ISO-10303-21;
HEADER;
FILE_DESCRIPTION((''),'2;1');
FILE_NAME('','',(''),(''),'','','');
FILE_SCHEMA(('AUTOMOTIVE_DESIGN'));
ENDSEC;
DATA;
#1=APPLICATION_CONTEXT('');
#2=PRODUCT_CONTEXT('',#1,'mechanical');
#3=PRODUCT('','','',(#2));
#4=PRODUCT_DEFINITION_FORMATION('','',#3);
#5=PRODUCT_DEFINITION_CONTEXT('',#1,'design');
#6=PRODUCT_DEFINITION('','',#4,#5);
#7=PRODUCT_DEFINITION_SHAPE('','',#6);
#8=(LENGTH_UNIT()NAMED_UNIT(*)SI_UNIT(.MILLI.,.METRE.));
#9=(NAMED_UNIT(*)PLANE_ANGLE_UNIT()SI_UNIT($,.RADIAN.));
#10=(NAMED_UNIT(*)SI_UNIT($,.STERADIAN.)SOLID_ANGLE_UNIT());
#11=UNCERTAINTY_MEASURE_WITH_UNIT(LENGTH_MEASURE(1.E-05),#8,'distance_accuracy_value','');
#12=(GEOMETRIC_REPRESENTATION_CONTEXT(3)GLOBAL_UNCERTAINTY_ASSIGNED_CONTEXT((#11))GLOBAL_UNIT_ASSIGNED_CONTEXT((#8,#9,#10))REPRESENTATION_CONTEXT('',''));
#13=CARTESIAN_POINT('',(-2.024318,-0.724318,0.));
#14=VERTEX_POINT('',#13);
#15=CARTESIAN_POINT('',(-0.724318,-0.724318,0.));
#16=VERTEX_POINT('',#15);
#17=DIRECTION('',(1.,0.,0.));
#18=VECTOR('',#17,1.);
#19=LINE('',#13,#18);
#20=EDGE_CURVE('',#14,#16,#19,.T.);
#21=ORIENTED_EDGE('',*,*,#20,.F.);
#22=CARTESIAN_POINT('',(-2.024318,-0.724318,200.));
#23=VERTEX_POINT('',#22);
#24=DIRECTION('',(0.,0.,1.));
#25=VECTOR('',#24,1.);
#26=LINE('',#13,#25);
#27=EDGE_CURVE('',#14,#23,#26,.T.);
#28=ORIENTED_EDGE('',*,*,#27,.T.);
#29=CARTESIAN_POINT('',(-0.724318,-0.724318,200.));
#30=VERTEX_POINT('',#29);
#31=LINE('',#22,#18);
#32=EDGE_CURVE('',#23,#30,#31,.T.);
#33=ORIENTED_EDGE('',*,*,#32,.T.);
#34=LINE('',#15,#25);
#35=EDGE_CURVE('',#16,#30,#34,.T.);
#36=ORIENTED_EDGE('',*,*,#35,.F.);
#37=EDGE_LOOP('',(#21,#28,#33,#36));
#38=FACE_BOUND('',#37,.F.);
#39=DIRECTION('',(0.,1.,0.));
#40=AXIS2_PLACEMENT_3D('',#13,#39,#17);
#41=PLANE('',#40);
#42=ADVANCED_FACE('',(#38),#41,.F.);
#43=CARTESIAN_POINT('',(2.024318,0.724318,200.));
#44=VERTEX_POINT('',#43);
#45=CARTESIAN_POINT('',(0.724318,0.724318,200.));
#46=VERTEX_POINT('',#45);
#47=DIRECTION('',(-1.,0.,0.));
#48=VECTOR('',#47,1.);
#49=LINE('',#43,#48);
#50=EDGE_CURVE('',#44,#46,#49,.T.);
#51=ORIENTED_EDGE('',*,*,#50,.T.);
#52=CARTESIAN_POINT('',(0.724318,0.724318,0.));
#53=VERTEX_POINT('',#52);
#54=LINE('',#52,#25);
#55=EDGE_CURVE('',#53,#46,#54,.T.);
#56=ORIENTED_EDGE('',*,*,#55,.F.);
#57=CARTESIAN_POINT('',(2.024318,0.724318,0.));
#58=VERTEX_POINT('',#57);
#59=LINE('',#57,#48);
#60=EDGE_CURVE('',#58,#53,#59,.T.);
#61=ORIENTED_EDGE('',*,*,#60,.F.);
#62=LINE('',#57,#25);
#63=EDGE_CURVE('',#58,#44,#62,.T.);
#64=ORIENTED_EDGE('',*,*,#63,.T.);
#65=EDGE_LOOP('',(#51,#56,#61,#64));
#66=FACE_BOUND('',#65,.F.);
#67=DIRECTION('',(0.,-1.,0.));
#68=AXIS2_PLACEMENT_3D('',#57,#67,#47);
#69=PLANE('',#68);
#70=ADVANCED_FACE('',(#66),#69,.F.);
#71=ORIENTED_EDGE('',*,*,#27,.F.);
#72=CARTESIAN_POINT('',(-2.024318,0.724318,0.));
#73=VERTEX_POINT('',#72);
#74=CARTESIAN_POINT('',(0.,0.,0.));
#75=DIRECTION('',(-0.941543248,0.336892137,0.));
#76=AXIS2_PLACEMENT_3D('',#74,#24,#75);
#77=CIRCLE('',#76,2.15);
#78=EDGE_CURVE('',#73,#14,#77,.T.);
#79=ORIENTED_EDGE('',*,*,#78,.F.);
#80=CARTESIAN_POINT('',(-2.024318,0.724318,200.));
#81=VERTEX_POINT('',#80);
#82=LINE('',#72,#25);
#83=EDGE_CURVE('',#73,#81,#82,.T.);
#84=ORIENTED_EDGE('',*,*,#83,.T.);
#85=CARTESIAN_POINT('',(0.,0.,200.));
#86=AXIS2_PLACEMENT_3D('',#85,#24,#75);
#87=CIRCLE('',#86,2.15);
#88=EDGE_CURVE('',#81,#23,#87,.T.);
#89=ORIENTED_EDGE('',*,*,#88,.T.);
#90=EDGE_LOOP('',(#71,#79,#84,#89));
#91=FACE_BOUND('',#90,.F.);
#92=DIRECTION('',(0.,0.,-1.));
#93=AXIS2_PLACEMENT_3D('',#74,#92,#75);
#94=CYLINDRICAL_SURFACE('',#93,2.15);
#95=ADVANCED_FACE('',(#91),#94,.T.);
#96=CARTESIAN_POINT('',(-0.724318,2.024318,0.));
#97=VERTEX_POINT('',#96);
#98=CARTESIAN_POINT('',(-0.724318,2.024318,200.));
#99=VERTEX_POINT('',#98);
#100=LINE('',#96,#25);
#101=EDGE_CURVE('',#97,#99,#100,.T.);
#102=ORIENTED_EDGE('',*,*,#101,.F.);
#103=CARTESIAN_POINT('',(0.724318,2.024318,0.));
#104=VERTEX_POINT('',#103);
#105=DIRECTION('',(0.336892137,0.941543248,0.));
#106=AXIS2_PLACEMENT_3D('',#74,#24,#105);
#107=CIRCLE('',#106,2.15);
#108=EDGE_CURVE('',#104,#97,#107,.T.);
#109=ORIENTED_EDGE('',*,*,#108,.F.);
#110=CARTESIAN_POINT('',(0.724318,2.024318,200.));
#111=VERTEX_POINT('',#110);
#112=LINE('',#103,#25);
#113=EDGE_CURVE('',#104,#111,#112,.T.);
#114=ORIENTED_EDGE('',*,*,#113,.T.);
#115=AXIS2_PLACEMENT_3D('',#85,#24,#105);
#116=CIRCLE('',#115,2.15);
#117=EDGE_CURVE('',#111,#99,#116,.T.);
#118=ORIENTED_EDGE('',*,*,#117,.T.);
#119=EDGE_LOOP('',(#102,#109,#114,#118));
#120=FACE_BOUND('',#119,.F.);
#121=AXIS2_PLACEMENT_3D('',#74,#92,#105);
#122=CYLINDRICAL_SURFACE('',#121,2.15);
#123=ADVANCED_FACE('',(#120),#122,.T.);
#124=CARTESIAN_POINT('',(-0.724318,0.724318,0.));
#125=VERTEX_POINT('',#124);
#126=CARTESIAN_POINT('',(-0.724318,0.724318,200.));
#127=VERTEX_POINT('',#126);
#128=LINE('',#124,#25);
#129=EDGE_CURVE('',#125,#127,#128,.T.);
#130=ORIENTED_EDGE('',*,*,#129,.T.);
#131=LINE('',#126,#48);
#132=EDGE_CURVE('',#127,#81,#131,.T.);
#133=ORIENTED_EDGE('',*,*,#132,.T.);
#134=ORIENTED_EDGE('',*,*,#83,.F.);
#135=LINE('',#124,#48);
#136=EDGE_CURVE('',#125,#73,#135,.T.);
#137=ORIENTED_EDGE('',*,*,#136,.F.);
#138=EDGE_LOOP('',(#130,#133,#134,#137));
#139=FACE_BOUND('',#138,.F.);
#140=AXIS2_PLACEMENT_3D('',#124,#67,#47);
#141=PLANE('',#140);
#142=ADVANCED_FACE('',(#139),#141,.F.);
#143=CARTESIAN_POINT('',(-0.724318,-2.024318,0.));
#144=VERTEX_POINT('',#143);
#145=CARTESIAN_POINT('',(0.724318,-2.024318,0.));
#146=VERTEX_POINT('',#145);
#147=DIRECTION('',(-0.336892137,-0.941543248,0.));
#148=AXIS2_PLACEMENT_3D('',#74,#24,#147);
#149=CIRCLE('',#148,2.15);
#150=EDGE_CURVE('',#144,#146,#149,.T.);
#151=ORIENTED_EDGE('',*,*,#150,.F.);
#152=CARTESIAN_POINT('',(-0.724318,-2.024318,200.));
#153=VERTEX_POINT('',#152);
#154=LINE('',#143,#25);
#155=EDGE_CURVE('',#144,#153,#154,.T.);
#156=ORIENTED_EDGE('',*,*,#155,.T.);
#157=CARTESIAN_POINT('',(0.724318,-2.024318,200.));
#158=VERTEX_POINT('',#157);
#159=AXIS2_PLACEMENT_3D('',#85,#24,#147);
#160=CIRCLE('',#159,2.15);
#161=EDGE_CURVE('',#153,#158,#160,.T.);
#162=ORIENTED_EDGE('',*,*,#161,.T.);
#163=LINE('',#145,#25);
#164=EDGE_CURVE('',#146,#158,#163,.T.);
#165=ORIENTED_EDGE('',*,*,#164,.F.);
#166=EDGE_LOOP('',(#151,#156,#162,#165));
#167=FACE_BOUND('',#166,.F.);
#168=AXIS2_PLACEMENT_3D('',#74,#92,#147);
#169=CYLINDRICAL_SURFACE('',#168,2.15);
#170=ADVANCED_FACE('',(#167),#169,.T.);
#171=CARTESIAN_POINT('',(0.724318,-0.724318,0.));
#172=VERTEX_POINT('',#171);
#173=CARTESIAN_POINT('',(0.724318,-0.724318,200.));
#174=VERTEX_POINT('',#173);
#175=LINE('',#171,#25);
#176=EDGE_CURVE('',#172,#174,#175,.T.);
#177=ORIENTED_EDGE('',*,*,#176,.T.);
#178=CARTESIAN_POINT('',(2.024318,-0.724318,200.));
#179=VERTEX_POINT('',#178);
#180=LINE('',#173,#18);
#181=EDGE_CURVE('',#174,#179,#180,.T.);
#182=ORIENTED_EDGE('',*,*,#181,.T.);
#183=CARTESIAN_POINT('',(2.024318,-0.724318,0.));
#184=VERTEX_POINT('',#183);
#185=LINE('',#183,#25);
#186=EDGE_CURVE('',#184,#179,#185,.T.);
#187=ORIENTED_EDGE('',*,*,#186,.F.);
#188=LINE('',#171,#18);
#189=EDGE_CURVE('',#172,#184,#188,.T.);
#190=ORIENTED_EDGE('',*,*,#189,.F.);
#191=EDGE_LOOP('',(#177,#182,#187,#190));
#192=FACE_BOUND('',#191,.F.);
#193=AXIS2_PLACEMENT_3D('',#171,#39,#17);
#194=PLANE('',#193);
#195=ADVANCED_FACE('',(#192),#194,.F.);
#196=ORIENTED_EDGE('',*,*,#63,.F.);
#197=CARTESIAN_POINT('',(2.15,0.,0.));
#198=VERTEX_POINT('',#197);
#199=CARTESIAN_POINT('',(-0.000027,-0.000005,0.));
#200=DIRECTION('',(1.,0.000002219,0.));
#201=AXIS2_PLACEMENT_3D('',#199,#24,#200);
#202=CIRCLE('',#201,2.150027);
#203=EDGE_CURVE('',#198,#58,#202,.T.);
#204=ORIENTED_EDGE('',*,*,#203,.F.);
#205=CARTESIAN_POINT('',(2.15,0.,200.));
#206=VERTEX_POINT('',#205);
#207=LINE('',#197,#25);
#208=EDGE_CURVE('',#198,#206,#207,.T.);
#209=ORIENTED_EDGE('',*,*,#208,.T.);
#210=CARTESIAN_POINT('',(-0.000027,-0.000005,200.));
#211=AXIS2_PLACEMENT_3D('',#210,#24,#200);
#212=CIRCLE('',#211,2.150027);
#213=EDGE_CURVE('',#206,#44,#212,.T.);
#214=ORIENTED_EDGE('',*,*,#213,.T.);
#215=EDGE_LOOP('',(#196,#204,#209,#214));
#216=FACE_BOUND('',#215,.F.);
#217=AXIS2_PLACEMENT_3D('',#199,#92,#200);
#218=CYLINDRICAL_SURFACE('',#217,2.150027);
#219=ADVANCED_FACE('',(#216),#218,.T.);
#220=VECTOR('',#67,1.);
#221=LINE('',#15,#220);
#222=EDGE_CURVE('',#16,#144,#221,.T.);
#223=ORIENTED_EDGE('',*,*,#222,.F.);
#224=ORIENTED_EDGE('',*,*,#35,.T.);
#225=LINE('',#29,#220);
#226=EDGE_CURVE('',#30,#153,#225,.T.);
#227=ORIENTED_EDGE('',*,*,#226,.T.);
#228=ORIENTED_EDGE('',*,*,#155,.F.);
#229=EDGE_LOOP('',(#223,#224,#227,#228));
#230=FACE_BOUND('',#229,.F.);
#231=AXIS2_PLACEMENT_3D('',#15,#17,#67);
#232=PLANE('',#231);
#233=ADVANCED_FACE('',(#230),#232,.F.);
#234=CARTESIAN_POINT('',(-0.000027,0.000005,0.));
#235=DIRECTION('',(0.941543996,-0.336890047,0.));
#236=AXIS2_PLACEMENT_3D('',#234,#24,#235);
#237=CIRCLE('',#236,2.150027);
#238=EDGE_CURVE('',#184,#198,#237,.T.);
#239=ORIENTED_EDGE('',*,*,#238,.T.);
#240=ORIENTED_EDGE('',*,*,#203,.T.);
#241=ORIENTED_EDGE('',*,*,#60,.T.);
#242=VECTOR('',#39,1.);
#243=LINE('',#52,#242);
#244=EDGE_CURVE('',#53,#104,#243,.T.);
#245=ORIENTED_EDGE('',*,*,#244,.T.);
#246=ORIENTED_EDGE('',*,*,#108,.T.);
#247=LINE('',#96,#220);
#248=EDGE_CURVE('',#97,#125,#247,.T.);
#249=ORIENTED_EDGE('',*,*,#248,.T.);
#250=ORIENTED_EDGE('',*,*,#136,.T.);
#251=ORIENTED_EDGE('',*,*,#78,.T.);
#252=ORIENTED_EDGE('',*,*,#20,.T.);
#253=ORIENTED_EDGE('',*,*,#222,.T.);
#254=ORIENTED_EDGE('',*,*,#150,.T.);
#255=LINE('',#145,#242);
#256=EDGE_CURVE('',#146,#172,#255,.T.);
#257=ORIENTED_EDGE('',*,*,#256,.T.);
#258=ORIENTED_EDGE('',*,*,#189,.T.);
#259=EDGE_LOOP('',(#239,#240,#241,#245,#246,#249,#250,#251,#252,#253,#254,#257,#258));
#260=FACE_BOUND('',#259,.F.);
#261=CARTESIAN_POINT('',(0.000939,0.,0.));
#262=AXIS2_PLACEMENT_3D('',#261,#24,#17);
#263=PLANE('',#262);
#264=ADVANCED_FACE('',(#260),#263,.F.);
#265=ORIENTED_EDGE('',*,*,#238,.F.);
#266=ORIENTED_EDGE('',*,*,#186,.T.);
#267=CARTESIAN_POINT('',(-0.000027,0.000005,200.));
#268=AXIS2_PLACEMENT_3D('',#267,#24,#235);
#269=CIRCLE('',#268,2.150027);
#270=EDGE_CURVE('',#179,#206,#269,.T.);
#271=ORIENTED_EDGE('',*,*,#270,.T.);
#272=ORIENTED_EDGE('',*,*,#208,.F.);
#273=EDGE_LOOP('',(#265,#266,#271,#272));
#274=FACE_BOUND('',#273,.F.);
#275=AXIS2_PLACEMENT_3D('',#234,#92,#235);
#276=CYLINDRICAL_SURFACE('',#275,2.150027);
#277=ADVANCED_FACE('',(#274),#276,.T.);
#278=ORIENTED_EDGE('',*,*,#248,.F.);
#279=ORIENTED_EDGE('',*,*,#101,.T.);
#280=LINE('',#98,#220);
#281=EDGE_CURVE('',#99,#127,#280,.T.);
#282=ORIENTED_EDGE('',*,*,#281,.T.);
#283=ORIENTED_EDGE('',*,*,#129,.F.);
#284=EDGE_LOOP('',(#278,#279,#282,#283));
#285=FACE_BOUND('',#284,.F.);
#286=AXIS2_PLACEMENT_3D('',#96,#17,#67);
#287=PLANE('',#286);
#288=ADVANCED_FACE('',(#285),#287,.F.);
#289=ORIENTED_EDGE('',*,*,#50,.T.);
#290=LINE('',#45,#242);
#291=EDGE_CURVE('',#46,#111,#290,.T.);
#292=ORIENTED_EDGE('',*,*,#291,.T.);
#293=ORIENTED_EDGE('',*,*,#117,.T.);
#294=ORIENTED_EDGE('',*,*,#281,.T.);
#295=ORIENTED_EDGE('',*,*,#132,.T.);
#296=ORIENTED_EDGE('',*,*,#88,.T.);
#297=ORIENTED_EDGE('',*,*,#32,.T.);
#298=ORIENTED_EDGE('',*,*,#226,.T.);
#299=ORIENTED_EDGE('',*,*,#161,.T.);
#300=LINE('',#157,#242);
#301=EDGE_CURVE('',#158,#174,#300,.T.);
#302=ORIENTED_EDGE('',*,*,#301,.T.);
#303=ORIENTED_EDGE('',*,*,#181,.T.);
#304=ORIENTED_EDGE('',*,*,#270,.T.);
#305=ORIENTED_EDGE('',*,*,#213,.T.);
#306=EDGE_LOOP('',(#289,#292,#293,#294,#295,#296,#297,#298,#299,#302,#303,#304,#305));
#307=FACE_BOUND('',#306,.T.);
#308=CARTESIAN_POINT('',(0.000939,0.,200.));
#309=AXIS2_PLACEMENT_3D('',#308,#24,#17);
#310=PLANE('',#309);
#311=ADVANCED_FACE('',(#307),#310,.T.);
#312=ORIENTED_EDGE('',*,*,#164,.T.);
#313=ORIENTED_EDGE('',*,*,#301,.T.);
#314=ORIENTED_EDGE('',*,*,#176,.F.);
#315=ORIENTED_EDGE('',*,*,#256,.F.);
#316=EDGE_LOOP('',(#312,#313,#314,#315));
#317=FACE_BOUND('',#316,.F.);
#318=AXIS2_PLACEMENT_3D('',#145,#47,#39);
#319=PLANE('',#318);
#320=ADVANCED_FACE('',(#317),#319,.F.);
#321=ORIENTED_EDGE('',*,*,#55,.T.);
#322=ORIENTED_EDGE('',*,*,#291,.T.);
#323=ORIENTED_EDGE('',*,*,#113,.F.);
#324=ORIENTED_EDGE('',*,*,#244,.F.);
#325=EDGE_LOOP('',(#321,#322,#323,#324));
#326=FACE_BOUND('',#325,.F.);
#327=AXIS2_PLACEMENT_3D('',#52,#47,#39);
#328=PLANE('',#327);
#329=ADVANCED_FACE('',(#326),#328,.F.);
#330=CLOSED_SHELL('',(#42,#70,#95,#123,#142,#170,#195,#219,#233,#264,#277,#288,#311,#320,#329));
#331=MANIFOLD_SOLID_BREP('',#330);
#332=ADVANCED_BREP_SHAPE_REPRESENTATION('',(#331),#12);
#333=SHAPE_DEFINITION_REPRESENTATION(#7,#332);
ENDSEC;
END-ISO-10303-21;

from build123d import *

# Parameters (mm, degrees)
F1_DEPTH = 200


with BuildPart() as f1:
    # F0 (on Top) → F1 (new body)
    with BuildSketch(Plane.XY):
        with BuildLine():
            ThreePointArc((2.024318, -0.724318), (2.118346, -0.367571), (2.15, 0))
            ThreePointArc((2.15, 0), (2.118346, 0.367571), (2.024318, 0.724318))
            Line((2.024318, 0.724318), (0.724318, 0.724318))
            Line((0.724318, 0.724318), (0.724318, 2.024318))
            ThreePointArc((0.724318, 2.024318), (0, 2.15), (-0.724318, 2.024318))
            Line((-0.724318, 2.024318), (-0.724318, 0.724318))
            Line((-0.724318, 0.724318), (-2.024318, 0.724318))
            ThreePointArc((-2.024318, 0.724318), (-2.15, 0), (-2.024318, -0.724318))
            Line((-2.024318, -0.724318), (-0.724318, -0.724318))
            Line((-0.724318, -0.724318), (-0.724318, -2.024318))
            ThreePointArc((-0.724318, -2.024318), (0, -2.15), (0.724318, -2.024318))
            Line((0.724318, -2.024318), (0.724318, -0.724318))
            Line((0.724318, -0.724318), (2.024318, -0.724318))
        make_face()
    extrude(amount=F1_DEPTH)


solid = f1.part
